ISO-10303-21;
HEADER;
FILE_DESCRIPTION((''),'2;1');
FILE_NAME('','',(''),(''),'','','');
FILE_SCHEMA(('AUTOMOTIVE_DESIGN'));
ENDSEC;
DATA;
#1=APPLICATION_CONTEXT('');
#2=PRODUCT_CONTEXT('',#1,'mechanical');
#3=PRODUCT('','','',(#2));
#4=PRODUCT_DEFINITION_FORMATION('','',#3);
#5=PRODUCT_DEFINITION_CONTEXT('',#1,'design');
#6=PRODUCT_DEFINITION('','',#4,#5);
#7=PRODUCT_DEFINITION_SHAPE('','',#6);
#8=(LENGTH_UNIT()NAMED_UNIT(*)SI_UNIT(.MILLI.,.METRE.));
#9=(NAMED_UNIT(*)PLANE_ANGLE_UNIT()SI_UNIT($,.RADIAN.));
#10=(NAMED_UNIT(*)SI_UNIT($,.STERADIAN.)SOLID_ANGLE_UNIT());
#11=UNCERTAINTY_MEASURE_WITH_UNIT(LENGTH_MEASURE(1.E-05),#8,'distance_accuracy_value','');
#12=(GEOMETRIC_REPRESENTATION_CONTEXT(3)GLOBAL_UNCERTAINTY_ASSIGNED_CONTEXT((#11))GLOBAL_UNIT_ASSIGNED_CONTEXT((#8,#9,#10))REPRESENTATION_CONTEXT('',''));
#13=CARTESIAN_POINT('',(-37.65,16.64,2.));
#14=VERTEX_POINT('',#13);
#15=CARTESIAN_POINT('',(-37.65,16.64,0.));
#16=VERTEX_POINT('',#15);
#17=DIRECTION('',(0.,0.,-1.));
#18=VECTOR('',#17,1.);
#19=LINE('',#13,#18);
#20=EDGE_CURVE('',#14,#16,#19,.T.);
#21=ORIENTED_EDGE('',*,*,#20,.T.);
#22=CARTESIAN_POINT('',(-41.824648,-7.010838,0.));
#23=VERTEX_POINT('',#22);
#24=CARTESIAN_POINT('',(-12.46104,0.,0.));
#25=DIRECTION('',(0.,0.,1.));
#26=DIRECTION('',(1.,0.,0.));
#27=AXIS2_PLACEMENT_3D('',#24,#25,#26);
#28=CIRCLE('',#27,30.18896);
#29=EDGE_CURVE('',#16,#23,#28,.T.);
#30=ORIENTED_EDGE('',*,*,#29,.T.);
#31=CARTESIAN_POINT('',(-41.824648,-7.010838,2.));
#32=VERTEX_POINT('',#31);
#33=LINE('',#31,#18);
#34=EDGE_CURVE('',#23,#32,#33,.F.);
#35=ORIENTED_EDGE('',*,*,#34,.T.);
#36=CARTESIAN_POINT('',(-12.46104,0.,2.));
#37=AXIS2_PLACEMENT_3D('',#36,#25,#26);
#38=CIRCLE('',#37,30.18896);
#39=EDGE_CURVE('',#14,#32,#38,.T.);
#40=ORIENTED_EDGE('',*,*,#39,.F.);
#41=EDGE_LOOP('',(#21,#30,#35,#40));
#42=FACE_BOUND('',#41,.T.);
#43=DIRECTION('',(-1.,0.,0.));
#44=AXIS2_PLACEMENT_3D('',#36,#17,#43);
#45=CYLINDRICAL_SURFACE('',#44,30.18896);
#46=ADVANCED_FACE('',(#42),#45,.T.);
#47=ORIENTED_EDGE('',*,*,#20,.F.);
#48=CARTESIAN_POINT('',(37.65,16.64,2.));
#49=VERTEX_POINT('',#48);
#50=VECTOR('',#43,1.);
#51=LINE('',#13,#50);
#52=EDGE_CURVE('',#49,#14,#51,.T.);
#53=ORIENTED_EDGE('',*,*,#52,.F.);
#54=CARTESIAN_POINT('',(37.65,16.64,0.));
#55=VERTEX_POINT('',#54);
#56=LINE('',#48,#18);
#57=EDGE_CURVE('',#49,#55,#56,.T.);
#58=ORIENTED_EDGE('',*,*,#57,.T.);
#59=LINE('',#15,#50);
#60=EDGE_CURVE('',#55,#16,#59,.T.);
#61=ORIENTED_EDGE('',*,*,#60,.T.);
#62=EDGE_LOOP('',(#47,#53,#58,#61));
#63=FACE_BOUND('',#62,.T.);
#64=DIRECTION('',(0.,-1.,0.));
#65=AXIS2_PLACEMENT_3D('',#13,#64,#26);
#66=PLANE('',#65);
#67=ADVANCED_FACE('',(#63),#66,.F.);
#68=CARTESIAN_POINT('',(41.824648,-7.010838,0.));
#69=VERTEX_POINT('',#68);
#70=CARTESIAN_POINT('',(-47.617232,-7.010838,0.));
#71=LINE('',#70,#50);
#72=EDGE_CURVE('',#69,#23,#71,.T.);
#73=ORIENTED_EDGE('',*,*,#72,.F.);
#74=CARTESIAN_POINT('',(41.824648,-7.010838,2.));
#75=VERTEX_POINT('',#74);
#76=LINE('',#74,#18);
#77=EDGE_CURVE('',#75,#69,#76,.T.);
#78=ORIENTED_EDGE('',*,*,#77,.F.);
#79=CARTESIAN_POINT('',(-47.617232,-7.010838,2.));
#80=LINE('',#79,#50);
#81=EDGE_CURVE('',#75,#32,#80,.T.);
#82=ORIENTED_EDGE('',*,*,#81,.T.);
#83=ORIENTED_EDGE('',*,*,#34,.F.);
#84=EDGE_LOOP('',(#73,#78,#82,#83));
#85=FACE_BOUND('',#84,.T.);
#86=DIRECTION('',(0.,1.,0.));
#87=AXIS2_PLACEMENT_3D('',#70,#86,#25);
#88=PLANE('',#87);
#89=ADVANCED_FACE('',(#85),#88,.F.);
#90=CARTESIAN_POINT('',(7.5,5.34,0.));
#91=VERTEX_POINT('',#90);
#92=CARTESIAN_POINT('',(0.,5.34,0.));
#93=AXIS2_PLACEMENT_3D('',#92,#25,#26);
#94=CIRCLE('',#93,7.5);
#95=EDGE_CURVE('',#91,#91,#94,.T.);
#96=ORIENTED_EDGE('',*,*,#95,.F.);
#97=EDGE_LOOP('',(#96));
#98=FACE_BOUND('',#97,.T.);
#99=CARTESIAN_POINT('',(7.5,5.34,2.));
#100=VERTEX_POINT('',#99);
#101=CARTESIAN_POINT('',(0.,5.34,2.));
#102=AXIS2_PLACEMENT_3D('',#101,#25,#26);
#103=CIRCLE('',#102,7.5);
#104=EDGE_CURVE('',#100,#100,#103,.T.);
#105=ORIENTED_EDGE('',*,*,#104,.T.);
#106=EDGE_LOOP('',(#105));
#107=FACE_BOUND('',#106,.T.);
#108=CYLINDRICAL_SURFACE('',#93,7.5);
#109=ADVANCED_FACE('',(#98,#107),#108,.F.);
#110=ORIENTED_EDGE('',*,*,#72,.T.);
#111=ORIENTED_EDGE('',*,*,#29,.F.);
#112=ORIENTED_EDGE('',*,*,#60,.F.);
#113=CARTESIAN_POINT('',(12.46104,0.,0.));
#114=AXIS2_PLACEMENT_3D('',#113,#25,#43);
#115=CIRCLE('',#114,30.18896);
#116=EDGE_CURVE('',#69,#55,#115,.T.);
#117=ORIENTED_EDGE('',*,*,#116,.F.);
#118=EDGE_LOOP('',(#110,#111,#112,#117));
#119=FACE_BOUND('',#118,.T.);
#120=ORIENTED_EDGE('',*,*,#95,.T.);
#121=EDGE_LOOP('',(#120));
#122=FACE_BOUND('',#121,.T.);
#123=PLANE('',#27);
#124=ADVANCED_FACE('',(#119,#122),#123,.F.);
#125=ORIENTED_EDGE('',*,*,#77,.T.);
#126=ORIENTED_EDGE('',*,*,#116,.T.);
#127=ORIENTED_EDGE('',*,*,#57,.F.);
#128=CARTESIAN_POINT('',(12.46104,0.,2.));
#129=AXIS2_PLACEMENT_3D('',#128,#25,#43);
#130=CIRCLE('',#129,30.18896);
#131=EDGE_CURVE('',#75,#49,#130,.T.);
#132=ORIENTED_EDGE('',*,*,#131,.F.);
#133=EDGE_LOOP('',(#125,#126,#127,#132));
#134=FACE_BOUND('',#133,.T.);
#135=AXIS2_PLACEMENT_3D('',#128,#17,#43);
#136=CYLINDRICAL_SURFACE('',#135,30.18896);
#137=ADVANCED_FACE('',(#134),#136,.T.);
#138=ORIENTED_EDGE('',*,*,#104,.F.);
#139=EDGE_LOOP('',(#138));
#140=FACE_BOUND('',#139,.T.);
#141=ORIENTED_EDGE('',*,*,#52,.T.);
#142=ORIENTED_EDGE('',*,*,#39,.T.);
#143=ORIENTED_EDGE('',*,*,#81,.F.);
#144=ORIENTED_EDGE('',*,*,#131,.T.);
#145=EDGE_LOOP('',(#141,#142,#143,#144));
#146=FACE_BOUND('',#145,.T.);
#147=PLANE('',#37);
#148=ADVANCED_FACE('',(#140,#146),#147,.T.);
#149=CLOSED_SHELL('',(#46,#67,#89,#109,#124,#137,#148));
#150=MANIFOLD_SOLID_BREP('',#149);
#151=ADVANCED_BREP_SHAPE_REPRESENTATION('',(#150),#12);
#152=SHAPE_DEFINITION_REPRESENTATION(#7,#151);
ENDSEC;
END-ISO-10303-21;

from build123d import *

# Parameters (mm, degrees)
BOSS_EXTRUDE1_DEPTH = 2
SKETCH6_R           = 7.5
CUT_EXTRUDE1_DEPTH  = 2
SKETCH7_W           = 96.175516813
SKETCH7_H           = 15.621463592
CUT_EXTRUDE2_DEPTH  = 2


with BuildPart() as part:
    # Sketch5 → Boss-Extrude1 (new body)
    with BuildSketch(Plane.XY):
        with BuildLine():
            Line((-37.65, 16.64), (37.65, 16.64))
            ThreePointArc((37.65, 16.64), (42.65, 0), (37.65, -16.64))
            Line((37.65, -16.64), (-37.65, -16.64))
            ThreePointArc((-37.65, -16.64), (-42.65, 0), (-37.65, 16.64))
        make_face()
    extrude(amount=BOSS_EXTRUDE1_DEPTH)

    # Sketch6 → Cut-Extrude1 (cut)
    with BuildSketch(Plane.XY.offset(2)):
        with Locations((0, 5.34)):
            Circle(SKETCH6_R)
    extrude(amount=-CUT_EXTRUDE1_DEPTH, mode=Mode.SUBTRACT)

    # Sketch7 → Cut-Extrude2 (cut)
    with BuildSketch(Plane.XY.offset(2)):
        with Locations((0.470526011, -14.821569372)):
            Rectangle(SKETCH7_W, SKETCH7_H)
    extrude(amount=-CUT_EXTRUDE2_DEPTH, mode=Mode.SUBTRACT)


solid = part.part
